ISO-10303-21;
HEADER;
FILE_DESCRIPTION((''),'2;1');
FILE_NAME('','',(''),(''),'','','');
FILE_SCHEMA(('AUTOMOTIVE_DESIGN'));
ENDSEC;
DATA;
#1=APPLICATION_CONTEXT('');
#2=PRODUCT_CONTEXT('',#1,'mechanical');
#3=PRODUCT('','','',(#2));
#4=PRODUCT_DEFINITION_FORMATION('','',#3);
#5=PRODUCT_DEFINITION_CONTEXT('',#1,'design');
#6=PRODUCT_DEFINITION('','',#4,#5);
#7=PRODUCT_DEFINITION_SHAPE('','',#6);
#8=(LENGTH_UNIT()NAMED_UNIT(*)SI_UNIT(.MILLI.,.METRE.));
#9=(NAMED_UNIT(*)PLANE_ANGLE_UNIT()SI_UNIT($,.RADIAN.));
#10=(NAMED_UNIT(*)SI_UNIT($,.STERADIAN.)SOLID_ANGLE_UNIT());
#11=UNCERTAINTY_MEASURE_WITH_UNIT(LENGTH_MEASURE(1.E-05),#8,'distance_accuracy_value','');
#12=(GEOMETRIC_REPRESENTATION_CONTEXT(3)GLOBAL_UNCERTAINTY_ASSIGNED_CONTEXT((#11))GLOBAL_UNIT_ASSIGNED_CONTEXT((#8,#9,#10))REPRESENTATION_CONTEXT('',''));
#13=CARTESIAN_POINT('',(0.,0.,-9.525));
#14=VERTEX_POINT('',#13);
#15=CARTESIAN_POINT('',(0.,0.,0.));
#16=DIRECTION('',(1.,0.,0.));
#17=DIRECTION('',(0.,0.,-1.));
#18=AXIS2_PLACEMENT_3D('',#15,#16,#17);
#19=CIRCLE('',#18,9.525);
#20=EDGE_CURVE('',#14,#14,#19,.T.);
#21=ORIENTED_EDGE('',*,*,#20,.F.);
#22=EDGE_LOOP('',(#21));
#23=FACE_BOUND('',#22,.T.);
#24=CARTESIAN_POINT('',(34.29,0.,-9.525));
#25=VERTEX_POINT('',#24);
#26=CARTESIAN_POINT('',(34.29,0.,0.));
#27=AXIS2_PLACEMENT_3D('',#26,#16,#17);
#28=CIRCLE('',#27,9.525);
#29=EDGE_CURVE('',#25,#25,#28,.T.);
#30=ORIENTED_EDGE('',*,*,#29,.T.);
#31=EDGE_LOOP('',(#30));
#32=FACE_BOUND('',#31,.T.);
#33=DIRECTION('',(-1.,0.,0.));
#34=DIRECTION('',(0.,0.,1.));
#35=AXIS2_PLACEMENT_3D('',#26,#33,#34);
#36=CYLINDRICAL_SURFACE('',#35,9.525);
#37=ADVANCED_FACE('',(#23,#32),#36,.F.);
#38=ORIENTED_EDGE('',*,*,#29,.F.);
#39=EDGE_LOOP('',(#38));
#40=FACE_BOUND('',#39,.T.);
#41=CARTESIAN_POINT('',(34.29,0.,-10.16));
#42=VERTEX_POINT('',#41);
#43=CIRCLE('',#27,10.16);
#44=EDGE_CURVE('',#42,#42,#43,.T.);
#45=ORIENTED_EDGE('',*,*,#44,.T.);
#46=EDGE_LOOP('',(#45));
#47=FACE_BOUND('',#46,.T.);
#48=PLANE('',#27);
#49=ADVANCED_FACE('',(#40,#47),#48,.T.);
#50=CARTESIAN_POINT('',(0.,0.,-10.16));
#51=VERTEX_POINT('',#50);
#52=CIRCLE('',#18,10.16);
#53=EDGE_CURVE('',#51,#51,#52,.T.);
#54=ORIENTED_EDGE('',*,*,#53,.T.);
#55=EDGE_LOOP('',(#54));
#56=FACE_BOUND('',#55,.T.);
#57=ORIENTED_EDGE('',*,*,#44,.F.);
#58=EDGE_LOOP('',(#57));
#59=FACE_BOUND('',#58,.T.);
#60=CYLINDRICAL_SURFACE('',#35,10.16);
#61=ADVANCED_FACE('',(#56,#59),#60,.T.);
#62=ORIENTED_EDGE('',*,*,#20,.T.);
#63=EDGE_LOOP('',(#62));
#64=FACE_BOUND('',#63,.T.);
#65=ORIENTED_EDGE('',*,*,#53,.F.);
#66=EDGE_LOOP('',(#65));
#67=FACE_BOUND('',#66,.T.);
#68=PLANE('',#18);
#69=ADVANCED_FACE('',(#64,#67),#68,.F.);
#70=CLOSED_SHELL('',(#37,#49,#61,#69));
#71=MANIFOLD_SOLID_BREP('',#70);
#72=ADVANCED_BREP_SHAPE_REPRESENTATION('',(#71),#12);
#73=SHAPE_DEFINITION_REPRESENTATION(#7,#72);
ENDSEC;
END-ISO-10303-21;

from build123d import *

# Parameters (mm, degrees)
SKETCH1_R      = 10.16
SKETCH1_R_2    = 9.525
EXTRUDE1_DEPTH = 34.29


with BuildPart() as part:
    # Sketch1 → Extrude1 (new body)
    with BuildSketch(Plane(origin=(0, 0, 0), x_dir=(0, 0, -1), z_dir=(1, 0, 0))):
        Circle(SKETCH1_R)
        Circle(SKETCH1_R_2, mode=Mode.SUBTRACT)
    extrude(amount=EXTRUDE1_DEPTH)


solid = part.part
